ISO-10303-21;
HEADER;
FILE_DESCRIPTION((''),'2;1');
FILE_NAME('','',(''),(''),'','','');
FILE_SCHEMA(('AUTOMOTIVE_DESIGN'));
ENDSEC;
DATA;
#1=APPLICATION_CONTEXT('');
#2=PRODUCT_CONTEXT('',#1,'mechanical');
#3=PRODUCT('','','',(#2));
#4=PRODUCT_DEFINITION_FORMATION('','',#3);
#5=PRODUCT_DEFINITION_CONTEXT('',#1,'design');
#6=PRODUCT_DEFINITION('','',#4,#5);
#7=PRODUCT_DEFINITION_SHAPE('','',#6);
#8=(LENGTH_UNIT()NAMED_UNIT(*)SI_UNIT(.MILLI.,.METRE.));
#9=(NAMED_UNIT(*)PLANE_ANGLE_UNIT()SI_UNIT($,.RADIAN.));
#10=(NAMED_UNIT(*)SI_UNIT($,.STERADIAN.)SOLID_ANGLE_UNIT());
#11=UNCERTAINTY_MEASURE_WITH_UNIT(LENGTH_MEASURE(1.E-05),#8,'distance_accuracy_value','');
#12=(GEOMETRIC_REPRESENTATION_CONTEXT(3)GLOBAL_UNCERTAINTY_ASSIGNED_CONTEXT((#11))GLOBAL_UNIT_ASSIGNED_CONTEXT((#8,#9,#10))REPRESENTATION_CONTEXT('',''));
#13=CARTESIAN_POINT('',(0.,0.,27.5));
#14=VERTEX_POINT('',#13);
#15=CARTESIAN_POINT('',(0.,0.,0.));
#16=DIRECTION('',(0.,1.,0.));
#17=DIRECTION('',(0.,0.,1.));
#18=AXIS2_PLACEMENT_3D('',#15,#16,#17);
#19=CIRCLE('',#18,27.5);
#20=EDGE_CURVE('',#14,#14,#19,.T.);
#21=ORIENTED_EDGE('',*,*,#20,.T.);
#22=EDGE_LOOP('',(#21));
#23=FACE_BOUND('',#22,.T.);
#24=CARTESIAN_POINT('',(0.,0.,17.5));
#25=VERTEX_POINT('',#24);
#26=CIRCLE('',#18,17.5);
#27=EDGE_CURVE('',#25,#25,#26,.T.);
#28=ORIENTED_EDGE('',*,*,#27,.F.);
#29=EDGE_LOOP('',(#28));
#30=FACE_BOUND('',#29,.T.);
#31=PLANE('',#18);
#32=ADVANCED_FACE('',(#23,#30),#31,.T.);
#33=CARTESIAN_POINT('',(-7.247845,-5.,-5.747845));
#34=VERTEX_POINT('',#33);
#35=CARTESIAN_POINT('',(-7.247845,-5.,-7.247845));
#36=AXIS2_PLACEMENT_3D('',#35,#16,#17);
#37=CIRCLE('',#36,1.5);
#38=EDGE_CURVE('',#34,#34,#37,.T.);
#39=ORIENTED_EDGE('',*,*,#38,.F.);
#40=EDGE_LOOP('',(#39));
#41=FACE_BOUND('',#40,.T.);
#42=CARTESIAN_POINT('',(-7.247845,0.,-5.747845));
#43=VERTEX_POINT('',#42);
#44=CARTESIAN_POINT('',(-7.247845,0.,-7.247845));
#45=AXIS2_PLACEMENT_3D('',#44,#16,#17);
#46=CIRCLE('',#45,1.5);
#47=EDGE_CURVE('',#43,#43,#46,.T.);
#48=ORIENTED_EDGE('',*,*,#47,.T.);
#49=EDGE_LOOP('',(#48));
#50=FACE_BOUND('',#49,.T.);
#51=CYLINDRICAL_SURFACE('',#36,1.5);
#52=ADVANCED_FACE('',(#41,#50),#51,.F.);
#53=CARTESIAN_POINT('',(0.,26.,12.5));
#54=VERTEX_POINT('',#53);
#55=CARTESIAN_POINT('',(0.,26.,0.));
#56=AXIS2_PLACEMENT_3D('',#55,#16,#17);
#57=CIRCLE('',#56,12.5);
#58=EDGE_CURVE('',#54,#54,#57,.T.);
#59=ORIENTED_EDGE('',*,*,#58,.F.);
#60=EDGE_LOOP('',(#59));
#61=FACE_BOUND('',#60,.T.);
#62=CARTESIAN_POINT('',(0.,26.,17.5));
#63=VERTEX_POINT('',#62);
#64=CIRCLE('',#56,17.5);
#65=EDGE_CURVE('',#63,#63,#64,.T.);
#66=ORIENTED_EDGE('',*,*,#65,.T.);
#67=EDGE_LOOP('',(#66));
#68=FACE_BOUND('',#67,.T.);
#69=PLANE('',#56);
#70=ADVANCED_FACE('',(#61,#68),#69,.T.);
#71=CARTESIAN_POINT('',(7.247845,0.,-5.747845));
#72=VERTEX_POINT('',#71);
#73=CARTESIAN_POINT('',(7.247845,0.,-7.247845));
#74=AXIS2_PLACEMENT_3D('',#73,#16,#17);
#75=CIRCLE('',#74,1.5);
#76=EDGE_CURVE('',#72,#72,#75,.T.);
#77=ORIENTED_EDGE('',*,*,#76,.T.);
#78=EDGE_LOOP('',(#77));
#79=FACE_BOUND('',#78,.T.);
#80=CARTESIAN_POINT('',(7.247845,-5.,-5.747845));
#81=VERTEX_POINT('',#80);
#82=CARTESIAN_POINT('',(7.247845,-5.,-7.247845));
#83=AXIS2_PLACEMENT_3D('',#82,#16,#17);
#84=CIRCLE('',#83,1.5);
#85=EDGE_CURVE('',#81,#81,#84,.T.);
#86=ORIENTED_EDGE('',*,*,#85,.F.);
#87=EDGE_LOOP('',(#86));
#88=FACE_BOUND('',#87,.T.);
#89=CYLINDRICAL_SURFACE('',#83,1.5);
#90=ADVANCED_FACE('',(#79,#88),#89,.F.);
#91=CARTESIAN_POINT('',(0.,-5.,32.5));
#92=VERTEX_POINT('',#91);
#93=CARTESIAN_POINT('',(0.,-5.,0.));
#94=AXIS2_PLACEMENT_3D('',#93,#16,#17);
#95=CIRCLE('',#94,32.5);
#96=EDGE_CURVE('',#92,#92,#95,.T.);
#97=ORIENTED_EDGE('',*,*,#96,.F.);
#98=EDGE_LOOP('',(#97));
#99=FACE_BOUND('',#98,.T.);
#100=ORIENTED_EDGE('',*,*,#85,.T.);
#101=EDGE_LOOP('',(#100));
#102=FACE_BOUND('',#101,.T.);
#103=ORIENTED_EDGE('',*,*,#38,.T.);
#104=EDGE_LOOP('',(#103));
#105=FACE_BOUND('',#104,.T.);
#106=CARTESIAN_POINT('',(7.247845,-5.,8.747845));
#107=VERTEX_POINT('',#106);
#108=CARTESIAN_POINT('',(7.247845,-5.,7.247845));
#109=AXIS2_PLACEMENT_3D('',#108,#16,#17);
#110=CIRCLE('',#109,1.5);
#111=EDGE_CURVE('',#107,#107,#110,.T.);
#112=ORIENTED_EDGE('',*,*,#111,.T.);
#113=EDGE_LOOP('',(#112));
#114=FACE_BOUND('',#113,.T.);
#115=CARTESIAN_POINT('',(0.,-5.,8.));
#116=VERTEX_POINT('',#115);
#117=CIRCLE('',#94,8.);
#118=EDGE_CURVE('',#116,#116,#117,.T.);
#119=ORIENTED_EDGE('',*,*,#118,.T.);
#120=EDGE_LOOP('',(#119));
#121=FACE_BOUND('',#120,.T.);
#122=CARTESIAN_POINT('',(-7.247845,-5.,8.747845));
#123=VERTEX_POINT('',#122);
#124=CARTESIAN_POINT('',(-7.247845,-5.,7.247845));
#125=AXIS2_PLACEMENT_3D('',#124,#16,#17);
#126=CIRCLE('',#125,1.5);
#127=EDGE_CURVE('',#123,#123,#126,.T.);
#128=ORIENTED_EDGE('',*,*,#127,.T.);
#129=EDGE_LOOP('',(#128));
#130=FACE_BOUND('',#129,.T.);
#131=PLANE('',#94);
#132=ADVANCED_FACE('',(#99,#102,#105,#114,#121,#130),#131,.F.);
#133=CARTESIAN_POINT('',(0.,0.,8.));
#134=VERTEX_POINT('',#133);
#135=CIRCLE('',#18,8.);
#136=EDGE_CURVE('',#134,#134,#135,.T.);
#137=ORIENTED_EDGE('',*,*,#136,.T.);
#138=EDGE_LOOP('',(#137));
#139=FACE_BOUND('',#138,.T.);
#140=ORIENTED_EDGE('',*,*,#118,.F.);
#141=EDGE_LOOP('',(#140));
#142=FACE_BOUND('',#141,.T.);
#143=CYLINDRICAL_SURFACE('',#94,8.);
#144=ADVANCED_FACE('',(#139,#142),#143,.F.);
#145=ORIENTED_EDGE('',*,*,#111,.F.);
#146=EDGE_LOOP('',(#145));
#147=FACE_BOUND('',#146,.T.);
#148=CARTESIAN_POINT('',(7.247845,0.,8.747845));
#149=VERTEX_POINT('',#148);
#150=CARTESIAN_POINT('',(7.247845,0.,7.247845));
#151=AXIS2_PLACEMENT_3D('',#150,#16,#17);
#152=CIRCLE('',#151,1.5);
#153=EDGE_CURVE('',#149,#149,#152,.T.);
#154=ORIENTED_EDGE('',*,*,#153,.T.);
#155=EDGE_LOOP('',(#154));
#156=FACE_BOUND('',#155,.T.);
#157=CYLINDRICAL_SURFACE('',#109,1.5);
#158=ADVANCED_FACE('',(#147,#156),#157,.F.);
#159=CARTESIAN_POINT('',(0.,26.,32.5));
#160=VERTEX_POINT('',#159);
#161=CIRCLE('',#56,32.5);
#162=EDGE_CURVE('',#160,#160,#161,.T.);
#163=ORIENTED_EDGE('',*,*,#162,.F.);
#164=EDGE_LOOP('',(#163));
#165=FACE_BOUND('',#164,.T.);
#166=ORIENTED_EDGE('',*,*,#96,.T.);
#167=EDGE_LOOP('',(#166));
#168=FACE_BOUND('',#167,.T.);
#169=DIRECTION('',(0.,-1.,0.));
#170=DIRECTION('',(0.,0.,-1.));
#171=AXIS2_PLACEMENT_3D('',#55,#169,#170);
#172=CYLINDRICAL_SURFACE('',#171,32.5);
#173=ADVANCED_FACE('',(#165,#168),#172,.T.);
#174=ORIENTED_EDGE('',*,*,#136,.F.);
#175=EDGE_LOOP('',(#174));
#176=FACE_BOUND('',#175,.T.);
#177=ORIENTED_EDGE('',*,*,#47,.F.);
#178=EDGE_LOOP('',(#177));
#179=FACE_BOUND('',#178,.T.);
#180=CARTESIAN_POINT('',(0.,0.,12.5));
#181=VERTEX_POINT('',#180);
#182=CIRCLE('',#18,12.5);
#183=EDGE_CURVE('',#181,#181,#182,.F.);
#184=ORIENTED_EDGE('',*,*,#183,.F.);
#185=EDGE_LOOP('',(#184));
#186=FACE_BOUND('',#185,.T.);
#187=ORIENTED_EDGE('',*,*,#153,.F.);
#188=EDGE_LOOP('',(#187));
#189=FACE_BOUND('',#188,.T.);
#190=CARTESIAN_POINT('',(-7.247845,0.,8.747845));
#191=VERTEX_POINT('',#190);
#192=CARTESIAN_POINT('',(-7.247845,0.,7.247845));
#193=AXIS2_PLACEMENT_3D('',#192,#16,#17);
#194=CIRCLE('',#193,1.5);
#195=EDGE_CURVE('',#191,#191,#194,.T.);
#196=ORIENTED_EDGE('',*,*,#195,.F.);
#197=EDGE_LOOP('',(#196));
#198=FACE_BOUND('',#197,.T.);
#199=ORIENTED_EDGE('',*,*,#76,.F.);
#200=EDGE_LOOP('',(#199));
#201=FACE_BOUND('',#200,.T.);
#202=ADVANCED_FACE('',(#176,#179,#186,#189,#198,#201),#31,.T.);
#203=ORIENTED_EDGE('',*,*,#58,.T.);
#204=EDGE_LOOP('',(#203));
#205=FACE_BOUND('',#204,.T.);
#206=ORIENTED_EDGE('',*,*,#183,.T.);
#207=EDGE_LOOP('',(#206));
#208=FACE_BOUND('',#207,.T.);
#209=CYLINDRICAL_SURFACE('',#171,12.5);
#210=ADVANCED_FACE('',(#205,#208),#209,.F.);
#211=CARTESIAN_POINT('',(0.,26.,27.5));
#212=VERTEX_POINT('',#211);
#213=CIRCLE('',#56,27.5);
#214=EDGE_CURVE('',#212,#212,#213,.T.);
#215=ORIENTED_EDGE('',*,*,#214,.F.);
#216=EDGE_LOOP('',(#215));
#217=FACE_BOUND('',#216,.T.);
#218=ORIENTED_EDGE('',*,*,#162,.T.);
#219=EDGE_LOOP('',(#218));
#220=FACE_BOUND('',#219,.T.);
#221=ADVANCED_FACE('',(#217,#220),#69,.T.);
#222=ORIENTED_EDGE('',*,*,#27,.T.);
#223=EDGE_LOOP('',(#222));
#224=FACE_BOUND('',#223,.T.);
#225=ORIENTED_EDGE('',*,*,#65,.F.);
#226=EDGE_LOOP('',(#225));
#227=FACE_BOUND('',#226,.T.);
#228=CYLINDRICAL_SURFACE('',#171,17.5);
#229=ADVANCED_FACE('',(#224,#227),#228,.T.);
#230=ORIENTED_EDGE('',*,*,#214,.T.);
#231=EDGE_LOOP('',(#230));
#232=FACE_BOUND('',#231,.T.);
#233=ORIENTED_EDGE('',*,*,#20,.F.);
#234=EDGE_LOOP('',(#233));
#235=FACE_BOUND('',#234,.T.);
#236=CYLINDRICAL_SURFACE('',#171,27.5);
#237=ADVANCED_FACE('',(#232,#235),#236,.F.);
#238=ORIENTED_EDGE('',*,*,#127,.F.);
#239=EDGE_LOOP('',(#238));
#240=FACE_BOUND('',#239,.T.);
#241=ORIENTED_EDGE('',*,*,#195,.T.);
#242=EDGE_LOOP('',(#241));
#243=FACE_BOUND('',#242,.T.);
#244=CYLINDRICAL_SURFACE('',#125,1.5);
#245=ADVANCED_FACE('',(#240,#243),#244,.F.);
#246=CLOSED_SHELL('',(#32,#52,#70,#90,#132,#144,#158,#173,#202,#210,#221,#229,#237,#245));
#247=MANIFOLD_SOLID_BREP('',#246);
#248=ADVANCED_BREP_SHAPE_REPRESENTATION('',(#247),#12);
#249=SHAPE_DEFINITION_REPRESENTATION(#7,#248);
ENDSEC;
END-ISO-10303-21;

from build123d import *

# Parameters (mm, degrees)
SKETCH1_R               = 32.5
SKETCH1_R_2             = 27.5
BOSS_EXTRUDE2_DEPTH     = 26
SKETCH1_R_3             = 17.5
SKETCH1_R_4             = 12.5
BOSS_EXTRUDE2_2_DEPTH   = 26
SKETCH2_R               = 32.5
SKETCH2_R_2             = 8
BOSS_EXTRUDE3_DEPTH     = 5
SKETCH3_R               = 1.5
CUT_EXTRUDE1_DEPTH      = 3
CUT_EXTRUDE1_DEPTH_BACK = 6


with BuildPart() as part:
    # Sketch1 → Boss-Extrude2 (new body)
    with BuildSketch(Plane(origin=(0, 0, 0), x_dir=(1, 0, 0), z_dir=(0, 1, 0))):
        Circle(SKETCH1_R)
        Circle(SKETCH1_R_2, mode=Mode.SUBTRACT)
    extrude(amount=BOSS_EXTRUDE2_DEPTH)



with BuildPart() as body_2:
    # Sketch1 → Boss-Extrude2 2 (new body)
    with BuildSketch(Plane(origin=(0, 0, 0), x_dir=(1, 0, 0), z_dir=(0, 1, 0))):
        Circle(SKETCH1_R_3)
        Circle(SKETCH1_R_4, mode=Mode.SUBTRACT)
    extrude(amount=BOSS_EXTRUDE2_2_DEPTH)


with BuildPart() as part_1:
    add(part.part)

    add(body_2.part)  # Boss-Extrude3 merges body 2
    # Sketch2 → Boss-Extrude3 (add)
    with BuildSketch(Plane(origin=(0, 0, 0), x_dir=(1, 0, 0), z_dir=(0, 1, 0))):
        Circle(SKETCH2_R)
        Circle(SKETCH2_R_2, mode=Mode.SUBTRACT)
    extrude(amount=-BOSS_EXTRUDE3_DEPTH)

    # Sketch3 → Cut-Extrude1 (cut, two sides)
    with BuildSketch(Plane(origin=(0, 0, 0), x_dir=(1, 0, 0), z_dir=(0, 1, 0))) as cut_extrude1_sk:
        with Locations((-7.247844507, 7.247844507)):
            Circle(SKETCH3_R)
        with Locations((7.247844507, 7.247844507)):
            Circle(SKETCH3_R)
        with Locations((7.247844507, -7.247844507)):
            Circle(SKETCH3_R)
        with Locations((-7.247844507, -7.247844507)):
            Circle(SKETCH3_R)
    extrude(amount=CUT_EXTRUDE1_DEPTH, mode=Mode.SUBTRACT)
    extrude(cut_extrude1_sk.sketch, amount=-CUT_EXTRUDE1_DEPTH_BACK, mode=Mode.SUBTRACT)


solid = part_1.part
